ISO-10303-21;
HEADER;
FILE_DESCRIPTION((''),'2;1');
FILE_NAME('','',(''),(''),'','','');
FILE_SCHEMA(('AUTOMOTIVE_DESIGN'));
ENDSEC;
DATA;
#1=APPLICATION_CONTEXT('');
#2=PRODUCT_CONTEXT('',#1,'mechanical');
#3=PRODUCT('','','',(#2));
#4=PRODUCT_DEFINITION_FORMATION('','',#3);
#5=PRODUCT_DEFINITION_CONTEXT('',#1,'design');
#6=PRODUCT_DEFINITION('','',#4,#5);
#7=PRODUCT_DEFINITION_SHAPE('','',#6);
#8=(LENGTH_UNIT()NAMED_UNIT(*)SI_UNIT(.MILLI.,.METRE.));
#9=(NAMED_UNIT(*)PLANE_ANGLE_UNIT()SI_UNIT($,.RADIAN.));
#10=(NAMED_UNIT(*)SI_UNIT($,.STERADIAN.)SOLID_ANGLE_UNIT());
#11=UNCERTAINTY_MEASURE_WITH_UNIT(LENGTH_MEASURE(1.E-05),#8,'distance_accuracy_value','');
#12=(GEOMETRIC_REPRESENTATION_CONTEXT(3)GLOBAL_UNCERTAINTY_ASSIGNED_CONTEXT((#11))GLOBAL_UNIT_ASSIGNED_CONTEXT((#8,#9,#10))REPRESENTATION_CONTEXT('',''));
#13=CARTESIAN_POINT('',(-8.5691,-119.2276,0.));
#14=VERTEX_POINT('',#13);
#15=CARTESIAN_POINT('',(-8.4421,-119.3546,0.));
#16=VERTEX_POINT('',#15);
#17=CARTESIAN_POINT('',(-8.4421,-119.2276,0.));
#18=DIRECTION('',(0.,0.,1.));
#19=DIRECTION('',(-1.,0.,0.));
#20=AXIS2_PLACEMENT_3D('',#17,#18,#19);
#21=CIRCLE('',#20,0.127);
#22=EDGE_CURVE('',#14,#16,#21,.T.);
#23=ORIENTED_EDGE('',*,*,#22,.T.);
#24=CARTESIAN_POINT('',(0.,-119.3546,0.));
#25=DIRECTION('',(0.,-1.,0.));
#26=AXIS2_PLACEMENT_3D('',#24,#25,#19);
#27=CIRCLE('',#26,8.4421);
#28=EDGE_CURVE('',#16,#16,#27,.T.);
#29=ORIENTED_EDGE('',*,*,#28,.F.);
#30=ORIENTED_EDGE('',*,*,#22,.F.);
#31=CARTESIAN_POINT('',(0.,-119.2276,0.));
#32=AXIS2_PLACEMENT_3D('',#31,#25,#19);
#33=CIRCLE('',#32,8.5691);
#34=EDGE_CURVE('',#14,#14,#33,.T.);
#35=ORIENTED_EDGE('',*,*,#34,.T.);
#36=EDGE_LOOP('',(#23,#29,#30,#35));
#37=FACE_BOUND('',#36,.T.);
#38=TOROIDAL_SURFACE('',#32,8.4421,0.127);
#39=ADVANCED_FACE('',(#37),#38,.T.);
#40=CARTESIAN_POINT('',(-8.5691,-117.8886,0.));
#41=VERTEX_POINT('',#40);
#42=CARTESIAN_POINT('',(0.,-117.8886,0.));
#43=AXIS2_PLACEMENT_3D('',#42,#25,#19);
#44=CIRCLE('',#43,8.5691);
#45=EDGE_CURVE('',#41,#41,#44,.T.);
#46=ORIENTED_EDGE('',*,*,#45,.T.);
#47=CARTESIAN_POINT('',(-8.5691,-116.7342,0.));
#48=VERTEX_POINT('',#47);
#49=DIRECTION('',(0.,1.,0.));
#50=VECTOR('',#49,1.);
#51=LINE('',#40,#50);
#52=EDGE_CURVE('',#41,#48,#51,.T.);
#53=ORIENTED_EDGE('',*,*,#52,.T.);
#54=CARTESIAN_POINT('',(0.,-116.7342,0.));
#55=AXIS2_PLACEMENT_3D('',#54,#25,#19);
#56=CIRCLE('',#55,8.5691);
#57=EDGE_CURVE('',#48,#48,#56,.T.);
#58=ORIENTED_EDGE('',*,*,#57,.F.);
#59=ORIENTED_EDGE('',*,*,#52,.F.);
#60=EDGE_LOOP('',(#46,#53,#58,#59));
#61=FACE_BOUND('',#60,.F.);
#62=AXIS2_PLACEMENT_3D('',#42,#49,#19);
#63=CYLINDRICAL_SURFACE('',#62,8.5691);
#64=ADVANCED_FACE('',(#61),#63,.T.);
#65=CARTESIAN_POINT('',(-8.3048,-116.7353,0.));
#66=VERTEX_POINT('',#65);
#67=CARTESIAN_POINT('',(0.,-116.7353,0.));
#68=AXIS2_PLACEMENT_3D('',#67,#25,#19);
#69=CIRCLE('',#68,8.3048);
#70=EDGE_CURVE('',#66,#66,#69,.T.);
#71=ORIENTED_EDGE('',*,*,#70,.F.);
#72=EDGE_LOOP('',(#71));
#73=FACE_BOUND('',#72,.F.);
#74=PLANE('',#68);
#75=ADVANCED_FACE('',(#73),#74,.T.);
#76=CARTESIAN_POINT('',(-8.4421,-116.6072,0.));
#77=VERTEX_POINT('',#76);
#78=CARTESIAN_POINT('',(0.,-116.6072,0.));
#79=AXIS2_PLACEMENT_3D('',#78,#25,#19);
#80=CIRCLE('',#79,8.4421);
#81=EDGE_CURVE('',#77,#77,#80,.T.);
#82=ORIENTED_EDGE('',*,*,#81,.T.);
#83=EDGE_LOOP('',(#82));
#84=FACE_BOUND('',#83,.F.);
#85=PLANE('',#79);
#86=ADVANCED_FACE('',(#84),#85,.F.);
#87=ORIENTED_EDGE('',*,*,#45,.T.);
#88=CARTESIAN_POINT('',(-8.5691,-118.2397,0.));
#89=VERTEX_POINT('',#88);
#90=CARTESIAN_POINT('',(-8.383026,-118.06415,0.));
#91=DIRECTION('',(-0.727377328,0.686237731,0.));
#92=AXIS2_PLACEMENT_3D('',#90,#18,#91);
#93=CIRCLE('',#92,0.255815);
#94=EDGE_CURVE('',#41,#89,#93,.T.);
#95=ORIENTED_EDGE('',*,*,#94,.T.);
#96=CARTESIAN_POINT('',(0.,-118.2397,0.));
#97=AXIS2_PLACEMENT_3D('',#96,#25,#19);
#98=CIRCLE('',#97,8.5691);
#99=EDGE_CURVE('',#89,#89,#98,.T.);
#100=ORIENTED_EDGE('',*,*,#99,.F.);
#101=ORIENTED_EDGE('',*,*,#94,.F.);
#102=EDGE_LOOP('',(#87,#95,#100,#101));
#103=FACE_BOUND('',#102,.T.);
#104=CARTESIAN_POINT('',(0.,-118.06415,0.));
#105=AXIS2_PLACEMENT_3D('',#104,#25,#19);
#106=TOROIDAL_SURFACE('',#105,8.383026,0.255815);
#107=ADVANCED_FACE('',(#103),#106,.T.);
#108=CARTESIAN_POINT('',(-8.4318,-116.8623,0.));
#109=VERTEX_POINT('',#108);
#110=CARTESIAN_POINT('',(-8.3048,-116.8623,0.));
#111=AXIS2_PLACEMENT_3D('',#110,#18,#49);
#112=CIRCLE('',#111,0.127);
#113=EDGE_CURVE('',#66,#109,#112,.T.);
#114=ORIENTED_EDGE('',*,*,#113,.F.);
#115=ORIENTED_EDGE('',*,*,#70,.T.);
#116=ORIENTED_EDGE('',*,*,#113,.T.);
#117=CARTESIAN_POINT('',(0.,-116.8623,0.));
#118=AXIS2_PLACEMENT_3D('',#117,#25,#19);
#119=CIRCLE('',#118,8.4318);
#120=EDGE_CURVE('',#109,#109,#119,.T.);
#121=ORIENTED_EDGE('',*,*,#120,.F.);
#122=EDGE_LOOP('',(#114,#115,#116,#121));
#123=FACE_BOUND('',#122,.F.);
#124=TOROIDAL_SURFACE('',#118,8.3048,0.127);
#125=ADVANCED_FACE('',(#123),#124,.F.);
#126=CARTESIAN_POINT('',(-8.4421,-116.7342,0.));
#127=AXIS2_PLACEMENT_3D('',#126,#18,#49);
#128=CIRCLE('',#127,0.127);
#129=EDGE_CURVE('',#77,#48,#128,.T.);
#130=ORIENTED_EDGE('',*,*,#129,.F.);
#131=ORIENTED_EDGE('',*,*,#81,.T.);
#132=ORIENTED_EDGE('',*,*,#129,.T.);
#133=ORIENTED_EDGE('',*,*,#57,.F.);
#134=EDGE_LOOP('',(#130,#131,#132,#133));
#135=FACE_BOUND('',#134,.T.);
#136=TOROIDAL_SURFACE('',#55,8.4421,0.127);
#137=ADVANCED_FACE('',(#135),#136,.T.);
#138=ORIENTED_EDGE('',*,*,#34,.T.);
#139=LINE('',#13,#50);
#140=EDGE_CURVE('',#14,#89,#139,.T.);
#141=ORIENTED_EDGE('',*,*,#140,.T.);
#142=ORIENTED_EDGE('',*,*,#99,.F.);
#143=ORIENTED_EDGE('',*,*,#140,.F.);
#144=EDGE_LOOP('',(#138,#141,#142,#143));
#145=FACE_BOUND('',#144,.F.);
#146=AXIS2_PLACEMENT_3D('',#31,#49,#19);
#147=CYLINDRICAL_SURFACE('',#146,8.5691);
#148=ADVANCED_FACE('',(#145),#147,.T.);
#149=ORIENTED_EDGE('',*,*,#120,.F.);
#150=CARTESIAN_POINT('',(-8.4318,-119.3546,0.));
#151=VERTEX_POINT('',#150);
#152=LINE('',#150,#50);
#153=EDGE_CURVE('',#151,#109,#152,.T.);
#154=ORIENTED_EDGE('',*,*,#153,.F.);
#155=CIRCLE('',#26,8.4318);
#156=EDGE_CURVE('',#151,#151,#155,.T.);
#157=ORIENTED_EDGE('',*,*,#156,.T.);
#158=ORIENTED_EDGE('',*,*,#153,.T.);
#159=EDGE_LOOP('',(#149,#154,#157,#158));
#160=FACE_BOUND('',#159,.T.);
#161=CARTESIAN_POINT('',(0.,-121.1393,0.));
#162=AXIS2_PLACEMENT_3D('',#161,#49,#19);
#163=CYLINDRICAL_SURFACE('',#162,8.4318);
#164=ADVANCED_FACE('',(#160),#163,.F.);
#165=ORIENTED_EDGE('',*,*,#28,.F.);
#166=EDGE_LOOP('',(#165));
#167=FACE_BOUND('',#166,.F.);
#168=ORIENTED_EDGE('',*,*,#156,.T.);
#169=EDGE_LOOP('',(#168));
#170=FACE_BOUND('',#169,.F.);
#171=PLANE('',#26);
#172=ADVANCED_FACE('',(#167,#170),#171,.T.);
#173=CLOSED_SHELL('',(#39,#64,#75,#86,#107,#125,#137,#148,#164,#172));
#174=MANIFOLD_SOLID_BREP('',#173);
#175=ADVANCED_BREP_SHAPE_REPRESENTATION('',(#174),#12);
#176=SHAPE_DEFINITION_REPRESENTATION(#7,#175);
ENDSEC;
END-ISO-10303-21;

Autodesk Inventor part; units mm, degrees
ref_plane "YZ Plane" through (0, 0, 0) normal (1, 0, 0) x (0, 1, 0)
ref_plane "XZ Plane" through (0, 0, 0) normal (0, 1, 0) x (-1, 0, 0)
ref_plane "XY Plane" through (0, 0, 0) normal (0, 0, 1) x (1, 0, 0)
sketch "Sketch1" plane through (0, 0, 0) normal (0, 0, 1) x (1, 0, 0)
  line L0 (-8.4318, -121.1393) -> (-8.4318, -118.1834)
  line L1 (8.3829, -117.9353) -> (-8.3829, -117.9353)
  arc A0 (-8.3829, -117.9353) -> (-8.4318, -118.1834) centre (-8.3829, -118.0642) ccw
  line L2 (4.3376, -116.7353) -> (-7.8003, -116.7353) projected
  line L3 (0, -114.8242) -> (0, -125.5705)
  line L4 (-8.4421, -116.6072) -> (0, -116.6072)
  line L5 (0, -116.6072) -> (0, -119.3557)
  line L6 (-8.4318, -119.3546) -> (-8.4421, -119.3546)
  line L7 (-8.4318, -116.8623) -> (-8.4318, -119.3546)
  arc A1 (-8.5691, -117.8886) -> (-8.5691, -118.2397) centre (-8.3829, -118.0642) ccw
  line L8 (-8.5691, -119.2276) -> (-8.5691, -118.2397)
  line L9 (-8.5691, -117.8886) -> (-8.5691, -116.7342)
  line L10 (0, -116.7353) -> (-8.3048, -116.7353)
  arc A2 (-8.5691, -119.2276) -> (-8.4421, -119.3546) centre (-8.4421, -119.2276) ccw
  arc A3 (-8.3048, -116.7353) -> (-8.4318, -116.8623) centre (-8.3048, -116.8623) ccw
  arc A4 (-8.4421, -116.6072) -> (-8.5691, -116.7342) centre (-8.4421, -116.7342) ccw
  point P0 (0, 0)
  point P1 (0, -117.9353)
  dimension "d1" = 0.127
  dimension "d3" = 0.127
revolve "Revolution1" add sketch "Sketch1" angle 360 about axis through (0, -114.8242, 0) along (0, -1, 0) contours L6 A2 L8 A1 L9 A4 L4 L3 L2 L10 A3 L7 A0 L0 | A0 L7
properties part number "CaseBottom" material "Polycarbonate, Smoke"
